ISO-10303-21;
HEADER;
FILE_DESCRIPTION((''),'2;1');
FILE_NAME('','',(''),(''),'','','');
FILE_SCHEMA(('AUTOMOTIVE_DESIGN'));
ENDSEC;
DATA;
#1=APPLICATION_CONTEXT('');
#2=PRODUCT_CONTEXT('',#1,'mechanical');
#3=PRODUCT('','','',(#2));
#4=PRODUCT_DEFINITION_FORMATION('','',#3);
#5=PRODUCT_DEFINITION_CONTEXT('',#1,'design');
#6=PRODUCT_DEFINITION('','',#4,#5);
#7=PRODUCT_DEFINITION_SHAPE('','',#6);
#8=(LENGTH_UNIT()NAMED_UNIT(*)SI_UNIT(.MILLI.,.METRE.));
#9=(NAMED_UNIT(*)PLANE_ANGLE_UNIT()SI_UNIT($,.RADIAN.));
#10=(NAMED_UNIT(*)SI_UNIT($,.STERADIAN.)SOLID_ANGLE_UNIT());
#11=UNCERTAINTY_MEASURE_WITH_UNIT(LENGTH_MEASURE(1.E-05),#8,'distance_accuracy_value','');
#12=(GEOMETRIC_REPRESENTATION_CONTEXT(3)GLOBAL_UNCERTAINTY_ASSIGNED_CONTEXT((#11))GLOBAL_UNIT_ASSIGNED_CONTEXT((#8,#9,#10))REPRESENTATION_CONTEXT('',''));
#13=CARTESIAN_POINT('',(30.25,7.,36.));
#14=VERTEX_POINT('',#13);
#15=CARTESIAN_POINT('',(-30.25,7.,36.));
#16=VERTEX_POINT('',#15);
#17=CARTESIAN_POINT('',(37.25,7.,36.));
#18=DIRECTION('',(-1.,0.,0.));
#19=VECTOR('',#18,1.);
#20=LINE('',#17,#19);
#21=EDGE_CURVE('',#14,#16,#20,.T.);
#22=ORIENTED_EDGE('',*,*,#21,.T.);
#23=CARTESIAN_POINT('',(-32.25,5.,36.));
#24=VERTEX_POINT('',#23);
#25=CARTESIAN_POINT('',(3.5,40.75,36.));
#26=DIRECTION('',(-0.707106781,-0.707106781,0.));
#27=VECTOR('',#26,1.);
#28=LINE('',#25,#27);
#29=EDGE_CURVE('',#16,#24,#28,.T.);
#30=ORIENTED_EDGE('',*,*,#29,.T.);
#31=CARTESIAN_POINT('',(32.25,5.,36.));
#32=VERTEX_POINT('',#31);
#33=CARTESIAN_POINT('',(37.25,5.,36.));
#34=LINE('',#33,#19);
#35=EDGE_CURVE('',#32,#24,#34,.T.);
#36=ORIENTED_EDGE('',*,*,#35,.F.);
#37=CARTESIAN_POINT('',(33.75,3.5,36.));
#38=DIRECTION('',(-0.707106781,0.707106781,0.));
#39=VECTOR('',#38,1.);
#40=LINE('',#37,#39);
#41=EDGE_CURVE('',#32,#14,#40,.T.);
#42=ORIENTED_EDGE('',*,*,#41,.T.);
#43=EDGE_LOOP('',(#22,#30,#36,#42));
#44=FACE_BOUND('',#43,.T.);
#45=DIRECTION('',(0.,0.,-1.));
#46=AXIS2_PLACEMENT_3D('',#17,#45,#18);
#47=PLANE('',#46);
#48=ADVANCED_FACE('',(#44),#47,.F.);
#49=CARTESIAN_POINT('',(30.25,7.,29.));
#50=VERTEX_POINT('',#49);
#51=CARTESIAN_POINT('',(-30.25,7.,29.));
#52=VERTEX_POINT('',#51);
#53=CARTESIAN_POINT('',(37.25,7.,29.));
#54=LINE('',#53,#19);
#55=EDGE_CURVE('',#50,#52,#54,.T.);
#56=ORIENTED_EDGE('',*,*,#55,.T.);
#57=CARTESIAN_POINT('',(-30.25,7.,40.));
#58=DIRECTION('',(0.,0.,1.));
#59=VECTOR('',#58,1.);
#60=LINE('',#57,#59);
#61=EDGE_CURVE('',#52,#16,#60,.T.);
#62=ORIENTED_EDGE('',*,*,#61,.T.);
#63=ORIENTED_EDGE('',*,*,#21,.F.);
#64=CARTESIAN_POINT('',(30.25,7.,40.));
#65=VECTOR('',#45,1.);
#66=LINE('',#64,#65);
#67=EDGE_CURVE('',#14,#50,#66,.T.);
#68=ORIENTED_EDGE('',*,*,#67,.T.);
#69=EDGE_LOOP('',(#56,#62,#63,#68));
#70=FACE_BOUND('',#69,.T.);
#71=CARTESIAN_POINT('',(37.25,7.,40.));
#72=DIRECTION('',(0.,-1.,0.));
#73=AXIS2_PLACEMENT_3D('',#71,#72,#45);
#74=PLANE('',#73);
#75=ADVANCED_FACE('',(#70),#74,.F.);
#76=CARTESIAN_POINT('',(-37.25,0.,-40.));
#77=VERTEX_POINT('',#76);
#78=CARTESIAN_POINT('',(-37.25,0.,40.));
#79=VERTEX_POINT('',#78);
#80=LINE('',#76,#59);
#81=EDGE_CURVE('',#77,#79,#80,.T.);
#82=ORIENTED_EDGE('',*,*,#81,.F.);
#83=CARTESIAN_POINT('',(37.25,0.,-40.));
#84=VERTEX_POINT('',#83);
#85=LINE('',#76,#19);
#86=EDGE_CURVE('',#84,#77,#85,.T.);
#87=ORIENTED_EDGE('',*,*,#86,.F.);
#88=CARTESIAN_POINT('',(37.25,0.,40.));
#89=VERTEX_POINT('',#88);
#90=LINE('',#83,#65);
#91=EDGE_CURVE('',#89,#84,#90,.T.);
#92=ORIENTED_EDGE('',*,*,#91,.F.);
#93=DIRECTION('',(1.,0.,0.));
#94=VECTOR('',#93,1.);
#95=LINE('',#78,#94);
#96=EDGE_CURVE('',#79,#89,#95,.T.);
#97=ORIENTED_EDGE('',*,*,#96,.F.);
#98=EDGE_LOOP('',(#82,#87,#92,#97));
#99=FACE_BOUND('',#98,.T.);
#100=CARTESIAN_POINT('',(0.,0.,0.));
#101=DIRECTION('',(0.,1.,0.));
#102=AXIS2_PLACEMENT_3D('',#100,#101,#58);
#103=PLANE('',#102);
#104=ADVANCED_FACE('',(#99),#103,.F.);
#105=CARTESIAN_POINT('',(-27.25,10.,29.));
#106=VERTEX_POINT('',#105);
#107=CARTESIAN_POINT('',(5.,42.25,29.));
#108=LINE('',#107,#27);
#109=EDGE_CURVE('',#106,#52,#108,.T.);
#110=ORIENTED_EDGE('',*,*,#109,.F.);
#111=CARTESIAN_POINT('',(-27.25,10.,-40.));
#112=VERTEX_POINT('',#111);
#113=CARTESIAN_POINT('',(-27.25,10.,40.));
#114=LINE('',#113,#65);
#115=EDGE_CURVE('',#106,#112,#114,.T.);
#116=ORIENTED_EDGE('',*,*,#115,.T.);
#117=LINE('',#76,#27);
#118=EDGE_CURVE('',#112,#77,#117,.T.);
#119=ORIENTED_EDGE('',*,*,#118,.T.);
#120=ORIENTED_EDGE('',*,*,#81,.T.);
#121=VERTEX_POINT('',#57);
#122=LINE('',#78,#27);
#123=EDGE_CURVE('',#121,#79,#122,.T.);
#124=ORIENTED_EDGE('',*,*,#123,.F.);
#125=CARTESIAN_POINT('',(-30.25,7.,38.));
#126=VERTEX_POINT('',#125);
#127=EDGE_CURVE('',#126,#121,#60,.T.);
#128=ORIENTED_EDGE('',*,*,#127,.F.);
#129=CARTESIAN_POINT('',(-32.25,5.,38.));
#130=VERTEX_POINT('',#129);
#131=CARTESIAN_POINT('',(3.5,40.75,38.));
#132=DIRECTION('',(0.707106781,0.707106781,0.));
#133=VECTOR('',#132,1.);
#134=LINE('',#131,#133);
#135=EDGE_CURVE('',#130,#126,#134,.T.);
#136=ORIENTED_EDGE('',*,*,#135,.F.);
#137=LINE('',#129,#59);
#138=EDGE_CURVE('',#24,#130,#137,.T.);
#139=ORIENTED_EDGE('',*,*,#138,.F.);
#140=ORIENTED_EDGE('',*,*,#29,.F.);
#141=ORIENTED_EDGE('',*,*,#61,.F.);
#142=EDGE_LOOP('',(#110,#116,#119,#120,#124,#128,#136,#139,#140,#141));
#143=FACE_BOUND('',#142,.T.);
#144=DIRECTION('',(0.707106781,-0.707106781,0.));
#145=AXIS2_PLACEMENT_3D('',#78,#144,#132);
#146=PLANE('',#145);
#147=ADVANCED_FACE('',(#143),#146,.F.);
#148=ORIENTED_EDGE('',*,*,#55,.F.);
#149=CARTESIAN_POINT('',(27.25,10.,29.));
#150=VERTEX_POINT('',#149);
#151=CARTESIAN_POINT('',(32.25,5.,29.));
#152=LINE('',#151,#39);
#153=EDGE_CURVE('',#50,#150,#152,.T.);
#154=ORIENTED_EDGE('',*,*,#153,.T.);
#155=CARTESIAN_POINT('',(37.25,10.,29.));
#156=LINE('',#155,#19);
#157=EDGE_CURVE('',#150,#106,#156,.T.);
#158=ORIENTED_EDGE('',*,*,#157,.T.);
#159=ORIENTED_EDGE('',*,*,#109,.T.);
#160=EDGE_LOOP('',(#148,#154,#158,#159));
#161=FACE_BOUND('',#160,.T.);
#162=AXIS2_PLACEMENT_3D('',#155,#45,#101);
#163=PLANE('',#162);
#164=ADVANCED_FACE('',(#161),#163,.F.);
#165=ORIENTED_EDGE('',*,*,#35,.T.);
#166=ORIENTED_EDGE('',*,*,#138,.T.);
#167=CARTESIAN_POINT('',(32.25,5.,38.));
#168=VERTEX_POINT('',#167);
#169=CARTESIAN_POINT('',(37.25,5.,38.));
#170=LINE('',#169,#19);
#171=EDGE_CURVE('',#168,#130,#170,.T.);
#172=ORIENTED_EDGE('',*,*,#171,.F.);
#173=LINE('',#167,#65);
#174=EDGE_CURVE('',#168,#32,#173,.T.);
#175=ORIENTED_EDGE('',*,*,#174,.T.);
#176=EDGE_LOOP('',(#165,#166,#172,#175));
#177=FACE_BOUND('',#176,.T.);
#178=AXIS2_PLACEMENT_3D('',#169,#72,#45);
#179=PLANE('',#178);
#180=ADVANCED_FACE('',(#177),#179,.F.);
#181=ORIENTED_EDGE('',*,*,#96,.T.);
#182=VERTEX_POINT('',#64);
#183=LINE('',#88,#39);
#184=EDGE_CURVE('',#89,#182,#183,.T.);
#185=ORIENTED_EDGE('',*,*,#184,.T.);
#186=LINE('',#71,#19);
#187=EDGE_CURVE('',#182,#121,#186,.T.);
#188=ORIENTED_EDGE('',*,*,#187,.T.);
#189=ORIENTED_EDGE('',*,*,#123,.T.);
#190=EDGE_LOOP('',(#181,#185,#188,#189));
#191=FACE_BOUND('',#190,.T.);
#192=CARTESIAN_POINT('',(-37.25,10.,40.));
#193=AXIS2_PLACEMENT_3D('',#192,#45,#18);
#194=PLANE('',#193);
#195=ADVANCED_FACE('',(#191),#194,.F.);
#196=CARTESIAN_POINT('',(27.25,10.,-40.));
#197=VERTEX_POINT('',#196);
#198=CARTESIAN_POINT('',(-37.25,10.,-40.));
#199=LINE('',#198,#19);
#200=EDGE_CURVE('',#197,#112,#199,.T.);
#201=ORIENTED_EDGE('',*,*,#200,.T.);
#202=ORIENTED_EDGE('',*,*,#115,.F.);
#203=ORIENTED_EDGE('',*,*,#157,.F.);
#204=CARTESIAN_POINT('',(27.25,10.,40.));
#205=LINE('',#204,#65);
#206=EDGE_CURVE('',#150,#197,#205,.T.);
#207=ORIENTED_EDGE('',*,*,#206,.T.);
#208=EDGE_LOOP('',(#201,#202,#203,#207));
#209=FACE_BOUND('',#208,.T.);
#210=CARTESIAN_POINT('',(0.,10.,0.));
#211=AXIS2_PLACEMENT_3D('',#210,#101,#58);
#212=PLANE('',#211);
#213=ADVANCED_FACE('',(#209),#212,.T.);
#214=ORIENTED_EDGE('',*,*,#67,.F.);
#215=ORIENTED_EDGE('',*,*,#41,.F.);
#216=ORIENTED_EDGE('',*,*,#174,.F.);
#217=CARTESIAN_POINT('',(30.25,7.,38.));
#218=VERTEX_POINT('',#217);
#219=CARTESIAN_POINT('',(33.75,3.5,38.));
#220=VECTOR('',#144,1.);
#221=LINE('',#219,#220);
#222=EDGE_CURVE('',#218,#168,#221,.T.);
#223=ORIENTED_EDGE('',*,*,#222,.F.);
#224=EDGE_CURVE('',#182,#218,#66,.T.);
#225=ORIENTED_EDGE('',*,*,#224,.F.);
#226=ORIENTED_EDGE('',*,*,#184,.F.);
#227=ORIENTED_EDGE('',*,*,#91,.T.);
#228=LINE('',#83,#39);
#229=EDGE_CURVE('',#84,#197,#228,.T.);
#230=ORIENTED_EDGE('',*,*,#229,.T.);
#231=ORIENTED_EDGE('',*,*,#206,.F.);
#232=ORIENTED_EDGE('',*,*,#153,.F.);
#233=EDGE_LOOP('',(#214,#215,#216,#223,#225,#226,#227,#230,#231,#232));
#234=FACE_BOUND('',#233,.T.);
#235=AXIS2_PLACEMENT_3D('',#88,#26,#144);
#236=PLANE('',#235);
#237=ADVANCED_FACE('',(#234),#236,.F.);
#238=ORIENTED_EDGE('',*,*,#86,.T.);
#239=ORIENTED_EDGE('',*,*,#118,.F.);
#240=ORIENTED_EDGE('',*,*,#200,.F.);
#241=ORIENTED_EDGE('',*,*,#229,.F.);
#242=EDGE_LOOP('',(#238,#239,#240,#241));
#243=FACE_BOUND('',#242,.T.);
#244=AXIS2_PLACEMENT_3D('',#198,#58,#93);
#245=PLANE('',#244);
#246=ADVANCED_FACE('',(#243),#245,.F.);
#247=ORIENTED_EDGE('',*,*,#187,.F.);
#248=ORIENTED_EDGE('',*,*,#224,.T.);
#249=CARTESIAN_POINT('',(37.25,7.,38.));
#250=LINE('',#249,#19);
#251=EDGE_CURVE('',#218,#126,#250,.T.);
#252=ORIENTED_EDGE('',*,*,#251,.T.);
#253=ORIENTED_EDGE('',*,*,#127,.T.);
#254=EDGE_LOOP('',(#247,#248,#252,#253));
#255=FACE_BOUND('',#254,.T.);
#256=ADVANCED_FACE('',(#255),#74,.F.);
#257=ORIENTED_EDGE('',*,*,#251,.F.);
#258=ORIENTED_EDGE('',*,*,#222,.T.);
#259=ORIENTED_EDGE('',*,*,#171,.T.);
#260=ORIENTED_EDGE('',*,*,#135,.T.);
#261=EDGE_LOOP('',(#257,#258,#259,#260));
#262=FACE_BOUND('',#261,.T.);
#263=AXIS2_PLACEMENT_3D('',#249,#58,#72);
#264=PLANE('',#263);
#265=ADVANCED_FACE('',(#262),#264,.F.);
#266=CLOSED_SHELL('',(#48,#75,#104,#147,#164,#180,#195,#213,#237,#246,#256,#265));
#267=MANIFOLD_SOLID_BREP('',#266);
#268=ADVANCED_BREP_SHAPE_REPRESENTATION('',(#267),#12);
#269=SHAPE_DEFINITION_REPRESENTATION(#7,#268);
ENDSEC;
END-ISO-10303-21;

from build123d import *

# Parameters (mm, degrees)
SKETCH1_W           = 74.5
SKETCH1_H           = 80
BOSS_EXTRUDE1_DEPTH = 10
SKETCH2_W           = 11
SKETCH2_H           = 3
CUT_EXTRUDE1_DEPTH  = 75.5
SKETCH3_W           = 2
SKETCH3_H           = 2
CUT_EXTRUDE2_DEPTH  = 75.5
CUT_EXTRUDE4_DEPTH  = 81


with BuildPart() as part:
    # Sketch1 → Boss-Extrude1 (new body)
    with BuildSketch(Plane(origin=(0, 0, 0), x_dir=(1, 0, 0), z_dir=(0, 1, 0))):
        Rectangle(SKETCH1_W, SKETCH1_H)
    extrude(amount=BOSS_EXTRUDE1_DEPTH)

    # Sketch2 → Cut-Extrude1 (cut, through all)
    with BuildSketch(Plane.ZY.offset(37.25)):
        with Locations((34.5, 8.5)):
            Rectangle(SKETCH2_W, SKETCH2_H)
    extrude(amount=-CUT_EXTRUDE1_DEPTH, mode=Mode.SUBTRACT)

    # Sketch3 → Cut-Extrude2 (cut, through all)
    with BuildSketch(Plane.ZY.offset(37.25)):
        with Locations((37, 6)):
            Rectangle(SKETCH3_W, SKETCH3_H)
    extrude(amount=-CUT_EXTRUDE2_DEPTH, mode=Mode.SUBTRACT)

    # Sketch4 → Cut-Extrude4 (cut, through all)
    with BuildSketch(Plane(origin=(0, 0, -40), x_dir=(-1, 0, 0), z_dir=(0, 0, -1))):
        Polygon((-37.25, 0), (-27.25, 10), (-37.25, 10), align=None)
        Polygon((37.25, 10), (37.25, 0), (27.25, 10), align=None)
    extrude(amount=-CUT_EXTRUDE4_DEPTH, mode=Mode.SUBTRACT)


solid = part.part
